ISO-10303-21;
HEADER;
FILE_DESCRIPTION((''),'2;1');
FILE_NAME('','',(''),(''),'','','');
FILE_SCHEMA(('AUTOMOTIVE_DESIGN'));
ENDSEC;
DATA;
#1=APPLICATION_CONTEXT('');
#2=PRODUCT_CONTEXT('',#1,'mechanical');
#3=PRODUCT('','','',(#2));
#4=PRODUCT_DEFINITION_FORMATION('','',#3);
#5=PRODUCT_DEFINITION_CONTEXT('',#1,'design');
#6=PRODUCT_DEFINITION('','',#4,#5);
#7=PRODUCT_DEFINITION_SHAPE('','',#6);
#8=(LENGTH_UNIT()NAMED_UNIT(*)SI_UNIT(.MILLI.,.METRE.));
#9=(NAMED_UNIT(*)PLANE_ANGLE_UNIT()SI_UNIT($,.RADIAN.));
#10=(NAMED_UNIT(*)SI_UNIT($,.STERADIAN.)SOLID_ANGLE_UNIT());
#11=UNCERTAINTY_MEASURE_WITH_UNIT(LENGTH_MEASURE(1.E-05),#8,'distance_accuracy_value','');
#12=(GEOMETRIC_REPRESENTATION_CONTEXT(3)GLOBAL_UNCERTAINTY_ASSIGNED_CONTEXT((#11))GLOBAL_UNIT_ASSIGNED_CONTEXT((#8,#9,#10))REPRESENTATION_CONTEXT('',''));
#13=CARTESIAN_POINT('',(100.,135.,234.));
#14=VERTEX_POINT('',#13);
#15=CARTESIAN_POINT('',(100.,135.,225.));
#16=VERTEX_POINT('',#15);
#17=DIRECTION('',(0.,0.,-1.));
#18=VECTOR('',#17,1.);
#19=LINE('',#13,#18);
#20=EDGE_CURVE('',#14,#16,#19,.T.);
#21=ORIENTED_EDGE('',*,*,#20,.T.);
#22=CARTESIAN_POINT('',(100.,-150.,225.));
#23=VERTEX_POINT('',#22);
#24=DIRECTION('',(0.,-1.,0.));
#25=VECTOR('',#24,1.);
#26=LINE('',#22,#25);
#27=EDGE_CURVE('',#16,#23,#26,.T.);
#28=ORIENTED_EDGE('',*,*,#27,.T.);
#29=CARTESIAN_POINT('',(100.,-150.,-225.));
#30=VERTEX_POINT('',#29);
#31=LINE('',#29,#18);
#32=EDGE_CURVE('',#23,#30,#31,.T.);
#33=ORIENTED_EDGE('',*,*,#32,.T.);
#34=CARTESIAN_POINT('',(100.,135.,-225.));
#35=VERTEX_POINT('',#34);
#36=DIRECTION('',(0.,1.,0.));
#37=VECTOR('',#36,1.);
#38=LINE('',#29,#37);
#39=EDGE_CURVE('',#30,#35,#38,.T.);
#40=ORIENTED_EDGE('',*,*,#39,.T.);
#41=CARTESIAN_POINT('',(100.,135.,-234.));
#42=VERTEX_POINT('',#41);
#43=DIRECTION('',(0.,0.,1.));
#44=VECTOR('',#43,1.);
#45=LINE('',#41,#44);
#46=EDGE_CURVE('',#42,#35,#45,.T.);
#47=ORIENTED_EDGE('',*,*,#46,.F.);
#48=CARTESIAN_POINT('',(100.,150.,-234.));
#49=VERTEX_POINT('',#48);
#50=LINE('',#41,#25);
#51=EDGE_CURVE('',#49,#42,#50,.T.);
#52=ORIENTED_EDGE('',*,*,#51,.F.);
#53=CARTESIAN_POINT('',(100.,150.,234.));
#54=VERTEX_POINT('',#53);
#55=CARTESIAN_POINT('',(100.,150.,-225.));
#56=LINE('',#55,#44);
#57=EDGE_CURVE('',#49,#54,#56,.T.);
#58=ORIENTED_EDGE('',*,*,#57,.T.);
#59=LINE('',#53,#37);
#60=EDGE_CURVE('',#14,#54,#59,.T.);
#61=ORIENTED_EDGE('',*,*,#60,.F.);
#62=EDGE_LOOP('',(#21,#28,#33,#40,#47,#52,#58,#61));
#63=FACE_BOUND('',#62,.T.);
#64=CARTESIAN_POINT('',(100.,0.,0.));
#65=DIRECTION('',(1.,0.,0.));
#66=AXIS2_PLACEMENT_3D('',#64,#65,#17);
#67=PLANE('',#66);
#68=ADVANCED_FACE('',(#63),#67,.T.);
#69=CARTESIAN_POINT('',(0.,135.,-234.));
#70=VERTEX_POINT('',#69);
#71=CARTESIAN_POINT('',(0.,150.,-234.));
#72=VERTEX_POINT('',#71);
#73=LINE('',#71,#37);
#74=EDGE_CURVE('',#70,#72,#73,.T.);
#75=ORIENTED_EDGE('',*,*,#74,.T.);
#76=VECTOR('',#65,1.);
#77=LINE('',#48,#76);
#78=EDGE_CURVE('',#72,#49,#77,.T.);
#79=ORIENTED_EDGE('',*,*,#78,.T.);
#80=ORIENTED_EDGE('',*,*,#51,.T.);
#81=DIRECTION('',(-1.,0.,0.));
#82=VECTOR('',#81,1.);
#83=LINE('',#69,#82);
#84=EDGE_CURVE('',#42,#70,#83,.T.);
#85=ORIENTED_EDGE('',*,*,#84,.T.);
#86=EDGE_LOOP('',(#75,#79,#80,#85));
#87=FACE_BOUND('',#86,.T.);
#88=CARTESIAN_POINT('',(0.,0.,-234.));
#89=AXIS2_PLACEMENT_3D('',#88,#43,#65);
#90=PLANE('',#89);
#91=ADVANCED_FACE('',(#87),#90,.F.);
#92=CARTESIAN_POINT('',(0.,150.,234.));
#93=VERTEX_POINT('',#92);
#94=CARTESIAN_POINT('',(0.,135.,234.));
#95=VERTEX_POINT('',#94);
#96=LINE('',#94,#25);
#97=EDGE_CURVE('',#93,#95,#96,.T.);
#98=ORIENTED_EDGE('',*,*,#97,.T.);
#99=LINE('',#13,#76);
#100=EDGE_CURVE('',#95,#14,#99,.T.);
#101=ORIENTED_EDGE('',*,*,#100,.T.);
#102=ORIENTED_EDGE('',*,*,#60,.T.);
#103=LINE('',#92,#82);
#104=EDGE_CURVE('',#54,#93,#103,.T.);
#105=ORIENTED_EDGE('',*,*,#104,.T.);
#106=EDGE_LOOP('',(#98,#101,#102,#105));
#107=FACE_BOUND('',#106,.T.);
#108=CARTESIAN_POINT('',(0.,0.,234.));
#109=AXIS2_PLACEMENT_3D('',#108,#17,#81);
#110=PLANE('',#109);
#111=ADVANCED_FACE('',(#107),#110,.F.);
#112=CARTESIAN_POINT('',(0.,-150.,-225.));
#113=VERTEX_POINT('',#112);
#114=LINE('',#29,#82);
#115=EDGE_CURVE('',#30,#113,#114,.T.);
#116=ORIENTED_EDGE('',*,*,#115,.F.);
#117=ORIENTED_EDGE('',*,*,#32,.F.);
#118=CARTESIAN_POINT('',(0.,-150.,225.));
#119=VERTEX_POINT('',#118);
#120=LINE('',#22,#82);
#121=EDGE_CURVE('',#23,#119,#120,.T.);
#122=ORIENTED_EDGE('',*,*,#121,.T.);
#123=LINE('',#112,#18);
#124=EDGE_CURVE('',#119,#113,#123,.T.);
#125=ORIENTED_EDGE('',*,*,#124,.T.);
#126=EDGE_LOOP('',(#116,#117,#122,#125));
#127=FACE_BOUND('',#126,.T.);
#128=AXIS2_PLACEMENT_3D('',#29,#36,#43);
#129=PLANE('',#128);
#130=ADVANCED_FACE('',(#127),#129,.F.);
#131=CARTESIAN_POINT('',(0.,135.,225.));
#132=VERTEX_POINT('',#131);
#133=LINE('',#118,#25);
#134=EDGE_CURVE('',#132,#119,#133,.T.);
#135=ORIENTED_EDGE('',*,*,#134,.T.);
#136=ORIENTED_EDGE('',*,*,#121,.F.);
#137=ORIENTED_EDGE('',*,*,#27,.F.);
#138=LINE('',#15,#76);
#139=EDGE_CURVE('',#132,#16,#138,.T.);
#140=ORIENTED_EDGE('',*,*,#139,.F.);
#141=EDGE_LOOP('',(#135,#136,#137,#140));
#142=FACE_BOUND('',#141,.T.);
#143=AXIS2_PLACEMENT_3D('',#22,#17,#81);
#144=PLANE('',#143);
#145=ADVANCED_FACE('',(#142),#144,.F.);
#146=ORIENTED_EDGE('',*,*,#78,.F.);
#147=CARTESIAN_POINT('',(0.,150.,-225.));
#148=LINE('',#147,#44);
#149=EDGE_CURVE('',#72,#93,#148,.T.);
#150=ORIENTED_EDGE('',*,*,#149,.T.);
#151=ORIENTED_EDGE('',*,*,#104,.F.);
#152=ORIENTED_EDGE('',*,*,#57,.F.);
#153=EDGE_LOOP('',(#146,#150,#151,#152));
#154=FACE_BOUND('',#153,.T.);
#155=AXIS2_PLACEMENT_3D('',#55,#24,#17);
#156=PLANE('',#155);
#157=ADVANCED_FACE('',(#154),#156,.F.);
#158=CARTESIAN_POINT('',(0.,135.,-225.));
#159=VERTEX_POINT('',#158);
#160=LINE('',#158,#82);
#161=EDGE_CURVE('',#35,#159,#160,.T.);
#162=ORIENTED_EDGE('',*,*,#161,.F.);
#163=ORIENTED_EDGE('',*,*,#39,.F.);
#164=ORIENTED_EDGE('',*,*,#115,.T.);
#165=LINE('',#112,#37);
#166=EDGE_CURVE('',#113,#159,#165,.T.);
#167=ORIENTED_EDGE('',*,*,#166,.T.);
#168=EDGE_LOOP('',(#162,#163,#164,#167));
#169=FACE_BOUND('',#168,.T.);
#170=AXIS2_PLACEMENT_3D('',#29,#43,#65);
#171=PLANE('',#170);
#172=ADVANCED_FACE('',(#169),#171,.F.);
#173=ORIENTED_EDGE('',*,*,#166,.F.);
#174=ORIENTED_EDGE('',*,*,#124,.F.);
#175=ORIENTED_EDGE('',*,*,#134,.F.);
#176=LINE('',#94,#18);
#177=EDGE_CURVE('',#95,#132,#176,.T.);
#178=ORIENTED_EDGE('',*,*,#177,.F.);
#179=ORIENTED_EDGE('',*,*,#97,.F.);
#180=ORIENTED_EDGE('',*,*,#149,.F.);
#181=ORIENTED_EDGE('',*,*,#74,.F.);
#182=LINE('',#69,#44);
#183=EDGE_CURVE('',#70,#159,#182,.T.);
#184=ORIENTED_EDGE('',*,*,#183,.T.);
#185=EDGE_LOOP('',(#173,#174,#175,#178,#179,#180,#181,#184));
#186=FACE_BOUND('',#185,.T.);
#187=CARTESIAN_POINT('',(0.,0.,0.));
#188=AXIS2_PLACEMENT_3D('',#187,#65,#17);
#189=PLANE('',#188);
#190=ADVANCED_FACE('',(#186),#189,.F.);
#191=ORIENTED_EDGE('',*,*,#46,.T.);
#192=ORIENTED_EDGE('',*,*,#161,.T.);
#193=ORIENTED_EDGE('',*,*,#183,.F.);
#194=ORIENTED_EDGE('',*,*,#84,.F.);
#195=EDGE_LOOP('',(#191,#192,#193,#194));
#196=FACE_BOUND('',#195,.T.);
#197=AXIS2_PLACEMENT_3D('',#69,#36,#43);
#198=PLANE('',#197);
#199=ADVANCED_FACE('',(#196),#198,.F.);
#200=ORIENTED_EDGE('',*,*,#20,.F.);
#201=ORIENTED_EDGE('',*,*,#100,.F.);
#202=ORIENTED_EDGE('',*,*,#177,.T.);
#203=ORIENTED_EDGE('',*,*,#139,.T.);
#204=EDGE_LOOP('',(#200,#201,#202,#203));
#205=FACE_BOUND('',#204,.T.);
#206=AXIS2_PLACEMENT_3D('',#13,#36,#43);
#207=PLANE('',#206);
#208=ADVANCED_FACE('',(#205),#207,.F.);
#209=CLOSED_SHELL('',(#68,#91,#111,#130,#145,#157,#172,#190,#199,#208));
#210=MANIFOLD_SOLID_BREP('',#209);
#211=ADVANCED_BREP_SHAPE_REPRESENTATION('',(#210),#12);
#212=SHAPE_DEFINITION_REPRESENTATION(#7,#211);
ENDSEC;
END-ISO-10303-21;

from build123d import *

# Parameters (mm, degrees)
CROQUIS2_W              = 450
CROQUIS2_H              = 300
SALIENTE_EXTRUIR1_DEPTH = 100
CROQUIS4_W              = 100
CROQUIS4_H              = 15
SALIENTE_EXTRUIR2_DEPTH = 9
CROQUIS5_W              = 100
CROQUIS5_H              = 15
SALIENTE_EXTRUIR3_DEPTH = 9


with BuildPart() as part:
    # Croquis2 → Saliente-Extruir1 (new body)
    with BuildSketch(Plane(origin=(0, 0, 0), x_dir=(0, 0, -1), z_dir=(1, 0, 0))):
        Rectangle(CROQUIS2_W, CROQUIS2_H)
    extrude(amount=SALIENTE_EXTRUIR1_DEPTH)

    # Croquis4 → Saliente-Extruir2 (add)
    with BuildSketch(Plane(origin=(0, 0, -225), x_dir=(-1, 0, 0), z_dir=(0, 0, -1))):
        with Locations((-50, 142.5)):
            Rectangle(CROQUIS4_W, CROQUIS4_H)
    extrude(amount=SALIENTE_EXTRUIR2_DEPTH)

    # Croquis5 → Saliente-Extruir3 (add)
    with BuildSketch(Plane.XY.offset(225)):
        with Locations((50, 142.5)):
            Rectangle(CROQUIS5_W, CROQUIS5_H)
    extrude(amount=SALIENTE_EXTRUIR3_DEPTH)


solid = part.part
